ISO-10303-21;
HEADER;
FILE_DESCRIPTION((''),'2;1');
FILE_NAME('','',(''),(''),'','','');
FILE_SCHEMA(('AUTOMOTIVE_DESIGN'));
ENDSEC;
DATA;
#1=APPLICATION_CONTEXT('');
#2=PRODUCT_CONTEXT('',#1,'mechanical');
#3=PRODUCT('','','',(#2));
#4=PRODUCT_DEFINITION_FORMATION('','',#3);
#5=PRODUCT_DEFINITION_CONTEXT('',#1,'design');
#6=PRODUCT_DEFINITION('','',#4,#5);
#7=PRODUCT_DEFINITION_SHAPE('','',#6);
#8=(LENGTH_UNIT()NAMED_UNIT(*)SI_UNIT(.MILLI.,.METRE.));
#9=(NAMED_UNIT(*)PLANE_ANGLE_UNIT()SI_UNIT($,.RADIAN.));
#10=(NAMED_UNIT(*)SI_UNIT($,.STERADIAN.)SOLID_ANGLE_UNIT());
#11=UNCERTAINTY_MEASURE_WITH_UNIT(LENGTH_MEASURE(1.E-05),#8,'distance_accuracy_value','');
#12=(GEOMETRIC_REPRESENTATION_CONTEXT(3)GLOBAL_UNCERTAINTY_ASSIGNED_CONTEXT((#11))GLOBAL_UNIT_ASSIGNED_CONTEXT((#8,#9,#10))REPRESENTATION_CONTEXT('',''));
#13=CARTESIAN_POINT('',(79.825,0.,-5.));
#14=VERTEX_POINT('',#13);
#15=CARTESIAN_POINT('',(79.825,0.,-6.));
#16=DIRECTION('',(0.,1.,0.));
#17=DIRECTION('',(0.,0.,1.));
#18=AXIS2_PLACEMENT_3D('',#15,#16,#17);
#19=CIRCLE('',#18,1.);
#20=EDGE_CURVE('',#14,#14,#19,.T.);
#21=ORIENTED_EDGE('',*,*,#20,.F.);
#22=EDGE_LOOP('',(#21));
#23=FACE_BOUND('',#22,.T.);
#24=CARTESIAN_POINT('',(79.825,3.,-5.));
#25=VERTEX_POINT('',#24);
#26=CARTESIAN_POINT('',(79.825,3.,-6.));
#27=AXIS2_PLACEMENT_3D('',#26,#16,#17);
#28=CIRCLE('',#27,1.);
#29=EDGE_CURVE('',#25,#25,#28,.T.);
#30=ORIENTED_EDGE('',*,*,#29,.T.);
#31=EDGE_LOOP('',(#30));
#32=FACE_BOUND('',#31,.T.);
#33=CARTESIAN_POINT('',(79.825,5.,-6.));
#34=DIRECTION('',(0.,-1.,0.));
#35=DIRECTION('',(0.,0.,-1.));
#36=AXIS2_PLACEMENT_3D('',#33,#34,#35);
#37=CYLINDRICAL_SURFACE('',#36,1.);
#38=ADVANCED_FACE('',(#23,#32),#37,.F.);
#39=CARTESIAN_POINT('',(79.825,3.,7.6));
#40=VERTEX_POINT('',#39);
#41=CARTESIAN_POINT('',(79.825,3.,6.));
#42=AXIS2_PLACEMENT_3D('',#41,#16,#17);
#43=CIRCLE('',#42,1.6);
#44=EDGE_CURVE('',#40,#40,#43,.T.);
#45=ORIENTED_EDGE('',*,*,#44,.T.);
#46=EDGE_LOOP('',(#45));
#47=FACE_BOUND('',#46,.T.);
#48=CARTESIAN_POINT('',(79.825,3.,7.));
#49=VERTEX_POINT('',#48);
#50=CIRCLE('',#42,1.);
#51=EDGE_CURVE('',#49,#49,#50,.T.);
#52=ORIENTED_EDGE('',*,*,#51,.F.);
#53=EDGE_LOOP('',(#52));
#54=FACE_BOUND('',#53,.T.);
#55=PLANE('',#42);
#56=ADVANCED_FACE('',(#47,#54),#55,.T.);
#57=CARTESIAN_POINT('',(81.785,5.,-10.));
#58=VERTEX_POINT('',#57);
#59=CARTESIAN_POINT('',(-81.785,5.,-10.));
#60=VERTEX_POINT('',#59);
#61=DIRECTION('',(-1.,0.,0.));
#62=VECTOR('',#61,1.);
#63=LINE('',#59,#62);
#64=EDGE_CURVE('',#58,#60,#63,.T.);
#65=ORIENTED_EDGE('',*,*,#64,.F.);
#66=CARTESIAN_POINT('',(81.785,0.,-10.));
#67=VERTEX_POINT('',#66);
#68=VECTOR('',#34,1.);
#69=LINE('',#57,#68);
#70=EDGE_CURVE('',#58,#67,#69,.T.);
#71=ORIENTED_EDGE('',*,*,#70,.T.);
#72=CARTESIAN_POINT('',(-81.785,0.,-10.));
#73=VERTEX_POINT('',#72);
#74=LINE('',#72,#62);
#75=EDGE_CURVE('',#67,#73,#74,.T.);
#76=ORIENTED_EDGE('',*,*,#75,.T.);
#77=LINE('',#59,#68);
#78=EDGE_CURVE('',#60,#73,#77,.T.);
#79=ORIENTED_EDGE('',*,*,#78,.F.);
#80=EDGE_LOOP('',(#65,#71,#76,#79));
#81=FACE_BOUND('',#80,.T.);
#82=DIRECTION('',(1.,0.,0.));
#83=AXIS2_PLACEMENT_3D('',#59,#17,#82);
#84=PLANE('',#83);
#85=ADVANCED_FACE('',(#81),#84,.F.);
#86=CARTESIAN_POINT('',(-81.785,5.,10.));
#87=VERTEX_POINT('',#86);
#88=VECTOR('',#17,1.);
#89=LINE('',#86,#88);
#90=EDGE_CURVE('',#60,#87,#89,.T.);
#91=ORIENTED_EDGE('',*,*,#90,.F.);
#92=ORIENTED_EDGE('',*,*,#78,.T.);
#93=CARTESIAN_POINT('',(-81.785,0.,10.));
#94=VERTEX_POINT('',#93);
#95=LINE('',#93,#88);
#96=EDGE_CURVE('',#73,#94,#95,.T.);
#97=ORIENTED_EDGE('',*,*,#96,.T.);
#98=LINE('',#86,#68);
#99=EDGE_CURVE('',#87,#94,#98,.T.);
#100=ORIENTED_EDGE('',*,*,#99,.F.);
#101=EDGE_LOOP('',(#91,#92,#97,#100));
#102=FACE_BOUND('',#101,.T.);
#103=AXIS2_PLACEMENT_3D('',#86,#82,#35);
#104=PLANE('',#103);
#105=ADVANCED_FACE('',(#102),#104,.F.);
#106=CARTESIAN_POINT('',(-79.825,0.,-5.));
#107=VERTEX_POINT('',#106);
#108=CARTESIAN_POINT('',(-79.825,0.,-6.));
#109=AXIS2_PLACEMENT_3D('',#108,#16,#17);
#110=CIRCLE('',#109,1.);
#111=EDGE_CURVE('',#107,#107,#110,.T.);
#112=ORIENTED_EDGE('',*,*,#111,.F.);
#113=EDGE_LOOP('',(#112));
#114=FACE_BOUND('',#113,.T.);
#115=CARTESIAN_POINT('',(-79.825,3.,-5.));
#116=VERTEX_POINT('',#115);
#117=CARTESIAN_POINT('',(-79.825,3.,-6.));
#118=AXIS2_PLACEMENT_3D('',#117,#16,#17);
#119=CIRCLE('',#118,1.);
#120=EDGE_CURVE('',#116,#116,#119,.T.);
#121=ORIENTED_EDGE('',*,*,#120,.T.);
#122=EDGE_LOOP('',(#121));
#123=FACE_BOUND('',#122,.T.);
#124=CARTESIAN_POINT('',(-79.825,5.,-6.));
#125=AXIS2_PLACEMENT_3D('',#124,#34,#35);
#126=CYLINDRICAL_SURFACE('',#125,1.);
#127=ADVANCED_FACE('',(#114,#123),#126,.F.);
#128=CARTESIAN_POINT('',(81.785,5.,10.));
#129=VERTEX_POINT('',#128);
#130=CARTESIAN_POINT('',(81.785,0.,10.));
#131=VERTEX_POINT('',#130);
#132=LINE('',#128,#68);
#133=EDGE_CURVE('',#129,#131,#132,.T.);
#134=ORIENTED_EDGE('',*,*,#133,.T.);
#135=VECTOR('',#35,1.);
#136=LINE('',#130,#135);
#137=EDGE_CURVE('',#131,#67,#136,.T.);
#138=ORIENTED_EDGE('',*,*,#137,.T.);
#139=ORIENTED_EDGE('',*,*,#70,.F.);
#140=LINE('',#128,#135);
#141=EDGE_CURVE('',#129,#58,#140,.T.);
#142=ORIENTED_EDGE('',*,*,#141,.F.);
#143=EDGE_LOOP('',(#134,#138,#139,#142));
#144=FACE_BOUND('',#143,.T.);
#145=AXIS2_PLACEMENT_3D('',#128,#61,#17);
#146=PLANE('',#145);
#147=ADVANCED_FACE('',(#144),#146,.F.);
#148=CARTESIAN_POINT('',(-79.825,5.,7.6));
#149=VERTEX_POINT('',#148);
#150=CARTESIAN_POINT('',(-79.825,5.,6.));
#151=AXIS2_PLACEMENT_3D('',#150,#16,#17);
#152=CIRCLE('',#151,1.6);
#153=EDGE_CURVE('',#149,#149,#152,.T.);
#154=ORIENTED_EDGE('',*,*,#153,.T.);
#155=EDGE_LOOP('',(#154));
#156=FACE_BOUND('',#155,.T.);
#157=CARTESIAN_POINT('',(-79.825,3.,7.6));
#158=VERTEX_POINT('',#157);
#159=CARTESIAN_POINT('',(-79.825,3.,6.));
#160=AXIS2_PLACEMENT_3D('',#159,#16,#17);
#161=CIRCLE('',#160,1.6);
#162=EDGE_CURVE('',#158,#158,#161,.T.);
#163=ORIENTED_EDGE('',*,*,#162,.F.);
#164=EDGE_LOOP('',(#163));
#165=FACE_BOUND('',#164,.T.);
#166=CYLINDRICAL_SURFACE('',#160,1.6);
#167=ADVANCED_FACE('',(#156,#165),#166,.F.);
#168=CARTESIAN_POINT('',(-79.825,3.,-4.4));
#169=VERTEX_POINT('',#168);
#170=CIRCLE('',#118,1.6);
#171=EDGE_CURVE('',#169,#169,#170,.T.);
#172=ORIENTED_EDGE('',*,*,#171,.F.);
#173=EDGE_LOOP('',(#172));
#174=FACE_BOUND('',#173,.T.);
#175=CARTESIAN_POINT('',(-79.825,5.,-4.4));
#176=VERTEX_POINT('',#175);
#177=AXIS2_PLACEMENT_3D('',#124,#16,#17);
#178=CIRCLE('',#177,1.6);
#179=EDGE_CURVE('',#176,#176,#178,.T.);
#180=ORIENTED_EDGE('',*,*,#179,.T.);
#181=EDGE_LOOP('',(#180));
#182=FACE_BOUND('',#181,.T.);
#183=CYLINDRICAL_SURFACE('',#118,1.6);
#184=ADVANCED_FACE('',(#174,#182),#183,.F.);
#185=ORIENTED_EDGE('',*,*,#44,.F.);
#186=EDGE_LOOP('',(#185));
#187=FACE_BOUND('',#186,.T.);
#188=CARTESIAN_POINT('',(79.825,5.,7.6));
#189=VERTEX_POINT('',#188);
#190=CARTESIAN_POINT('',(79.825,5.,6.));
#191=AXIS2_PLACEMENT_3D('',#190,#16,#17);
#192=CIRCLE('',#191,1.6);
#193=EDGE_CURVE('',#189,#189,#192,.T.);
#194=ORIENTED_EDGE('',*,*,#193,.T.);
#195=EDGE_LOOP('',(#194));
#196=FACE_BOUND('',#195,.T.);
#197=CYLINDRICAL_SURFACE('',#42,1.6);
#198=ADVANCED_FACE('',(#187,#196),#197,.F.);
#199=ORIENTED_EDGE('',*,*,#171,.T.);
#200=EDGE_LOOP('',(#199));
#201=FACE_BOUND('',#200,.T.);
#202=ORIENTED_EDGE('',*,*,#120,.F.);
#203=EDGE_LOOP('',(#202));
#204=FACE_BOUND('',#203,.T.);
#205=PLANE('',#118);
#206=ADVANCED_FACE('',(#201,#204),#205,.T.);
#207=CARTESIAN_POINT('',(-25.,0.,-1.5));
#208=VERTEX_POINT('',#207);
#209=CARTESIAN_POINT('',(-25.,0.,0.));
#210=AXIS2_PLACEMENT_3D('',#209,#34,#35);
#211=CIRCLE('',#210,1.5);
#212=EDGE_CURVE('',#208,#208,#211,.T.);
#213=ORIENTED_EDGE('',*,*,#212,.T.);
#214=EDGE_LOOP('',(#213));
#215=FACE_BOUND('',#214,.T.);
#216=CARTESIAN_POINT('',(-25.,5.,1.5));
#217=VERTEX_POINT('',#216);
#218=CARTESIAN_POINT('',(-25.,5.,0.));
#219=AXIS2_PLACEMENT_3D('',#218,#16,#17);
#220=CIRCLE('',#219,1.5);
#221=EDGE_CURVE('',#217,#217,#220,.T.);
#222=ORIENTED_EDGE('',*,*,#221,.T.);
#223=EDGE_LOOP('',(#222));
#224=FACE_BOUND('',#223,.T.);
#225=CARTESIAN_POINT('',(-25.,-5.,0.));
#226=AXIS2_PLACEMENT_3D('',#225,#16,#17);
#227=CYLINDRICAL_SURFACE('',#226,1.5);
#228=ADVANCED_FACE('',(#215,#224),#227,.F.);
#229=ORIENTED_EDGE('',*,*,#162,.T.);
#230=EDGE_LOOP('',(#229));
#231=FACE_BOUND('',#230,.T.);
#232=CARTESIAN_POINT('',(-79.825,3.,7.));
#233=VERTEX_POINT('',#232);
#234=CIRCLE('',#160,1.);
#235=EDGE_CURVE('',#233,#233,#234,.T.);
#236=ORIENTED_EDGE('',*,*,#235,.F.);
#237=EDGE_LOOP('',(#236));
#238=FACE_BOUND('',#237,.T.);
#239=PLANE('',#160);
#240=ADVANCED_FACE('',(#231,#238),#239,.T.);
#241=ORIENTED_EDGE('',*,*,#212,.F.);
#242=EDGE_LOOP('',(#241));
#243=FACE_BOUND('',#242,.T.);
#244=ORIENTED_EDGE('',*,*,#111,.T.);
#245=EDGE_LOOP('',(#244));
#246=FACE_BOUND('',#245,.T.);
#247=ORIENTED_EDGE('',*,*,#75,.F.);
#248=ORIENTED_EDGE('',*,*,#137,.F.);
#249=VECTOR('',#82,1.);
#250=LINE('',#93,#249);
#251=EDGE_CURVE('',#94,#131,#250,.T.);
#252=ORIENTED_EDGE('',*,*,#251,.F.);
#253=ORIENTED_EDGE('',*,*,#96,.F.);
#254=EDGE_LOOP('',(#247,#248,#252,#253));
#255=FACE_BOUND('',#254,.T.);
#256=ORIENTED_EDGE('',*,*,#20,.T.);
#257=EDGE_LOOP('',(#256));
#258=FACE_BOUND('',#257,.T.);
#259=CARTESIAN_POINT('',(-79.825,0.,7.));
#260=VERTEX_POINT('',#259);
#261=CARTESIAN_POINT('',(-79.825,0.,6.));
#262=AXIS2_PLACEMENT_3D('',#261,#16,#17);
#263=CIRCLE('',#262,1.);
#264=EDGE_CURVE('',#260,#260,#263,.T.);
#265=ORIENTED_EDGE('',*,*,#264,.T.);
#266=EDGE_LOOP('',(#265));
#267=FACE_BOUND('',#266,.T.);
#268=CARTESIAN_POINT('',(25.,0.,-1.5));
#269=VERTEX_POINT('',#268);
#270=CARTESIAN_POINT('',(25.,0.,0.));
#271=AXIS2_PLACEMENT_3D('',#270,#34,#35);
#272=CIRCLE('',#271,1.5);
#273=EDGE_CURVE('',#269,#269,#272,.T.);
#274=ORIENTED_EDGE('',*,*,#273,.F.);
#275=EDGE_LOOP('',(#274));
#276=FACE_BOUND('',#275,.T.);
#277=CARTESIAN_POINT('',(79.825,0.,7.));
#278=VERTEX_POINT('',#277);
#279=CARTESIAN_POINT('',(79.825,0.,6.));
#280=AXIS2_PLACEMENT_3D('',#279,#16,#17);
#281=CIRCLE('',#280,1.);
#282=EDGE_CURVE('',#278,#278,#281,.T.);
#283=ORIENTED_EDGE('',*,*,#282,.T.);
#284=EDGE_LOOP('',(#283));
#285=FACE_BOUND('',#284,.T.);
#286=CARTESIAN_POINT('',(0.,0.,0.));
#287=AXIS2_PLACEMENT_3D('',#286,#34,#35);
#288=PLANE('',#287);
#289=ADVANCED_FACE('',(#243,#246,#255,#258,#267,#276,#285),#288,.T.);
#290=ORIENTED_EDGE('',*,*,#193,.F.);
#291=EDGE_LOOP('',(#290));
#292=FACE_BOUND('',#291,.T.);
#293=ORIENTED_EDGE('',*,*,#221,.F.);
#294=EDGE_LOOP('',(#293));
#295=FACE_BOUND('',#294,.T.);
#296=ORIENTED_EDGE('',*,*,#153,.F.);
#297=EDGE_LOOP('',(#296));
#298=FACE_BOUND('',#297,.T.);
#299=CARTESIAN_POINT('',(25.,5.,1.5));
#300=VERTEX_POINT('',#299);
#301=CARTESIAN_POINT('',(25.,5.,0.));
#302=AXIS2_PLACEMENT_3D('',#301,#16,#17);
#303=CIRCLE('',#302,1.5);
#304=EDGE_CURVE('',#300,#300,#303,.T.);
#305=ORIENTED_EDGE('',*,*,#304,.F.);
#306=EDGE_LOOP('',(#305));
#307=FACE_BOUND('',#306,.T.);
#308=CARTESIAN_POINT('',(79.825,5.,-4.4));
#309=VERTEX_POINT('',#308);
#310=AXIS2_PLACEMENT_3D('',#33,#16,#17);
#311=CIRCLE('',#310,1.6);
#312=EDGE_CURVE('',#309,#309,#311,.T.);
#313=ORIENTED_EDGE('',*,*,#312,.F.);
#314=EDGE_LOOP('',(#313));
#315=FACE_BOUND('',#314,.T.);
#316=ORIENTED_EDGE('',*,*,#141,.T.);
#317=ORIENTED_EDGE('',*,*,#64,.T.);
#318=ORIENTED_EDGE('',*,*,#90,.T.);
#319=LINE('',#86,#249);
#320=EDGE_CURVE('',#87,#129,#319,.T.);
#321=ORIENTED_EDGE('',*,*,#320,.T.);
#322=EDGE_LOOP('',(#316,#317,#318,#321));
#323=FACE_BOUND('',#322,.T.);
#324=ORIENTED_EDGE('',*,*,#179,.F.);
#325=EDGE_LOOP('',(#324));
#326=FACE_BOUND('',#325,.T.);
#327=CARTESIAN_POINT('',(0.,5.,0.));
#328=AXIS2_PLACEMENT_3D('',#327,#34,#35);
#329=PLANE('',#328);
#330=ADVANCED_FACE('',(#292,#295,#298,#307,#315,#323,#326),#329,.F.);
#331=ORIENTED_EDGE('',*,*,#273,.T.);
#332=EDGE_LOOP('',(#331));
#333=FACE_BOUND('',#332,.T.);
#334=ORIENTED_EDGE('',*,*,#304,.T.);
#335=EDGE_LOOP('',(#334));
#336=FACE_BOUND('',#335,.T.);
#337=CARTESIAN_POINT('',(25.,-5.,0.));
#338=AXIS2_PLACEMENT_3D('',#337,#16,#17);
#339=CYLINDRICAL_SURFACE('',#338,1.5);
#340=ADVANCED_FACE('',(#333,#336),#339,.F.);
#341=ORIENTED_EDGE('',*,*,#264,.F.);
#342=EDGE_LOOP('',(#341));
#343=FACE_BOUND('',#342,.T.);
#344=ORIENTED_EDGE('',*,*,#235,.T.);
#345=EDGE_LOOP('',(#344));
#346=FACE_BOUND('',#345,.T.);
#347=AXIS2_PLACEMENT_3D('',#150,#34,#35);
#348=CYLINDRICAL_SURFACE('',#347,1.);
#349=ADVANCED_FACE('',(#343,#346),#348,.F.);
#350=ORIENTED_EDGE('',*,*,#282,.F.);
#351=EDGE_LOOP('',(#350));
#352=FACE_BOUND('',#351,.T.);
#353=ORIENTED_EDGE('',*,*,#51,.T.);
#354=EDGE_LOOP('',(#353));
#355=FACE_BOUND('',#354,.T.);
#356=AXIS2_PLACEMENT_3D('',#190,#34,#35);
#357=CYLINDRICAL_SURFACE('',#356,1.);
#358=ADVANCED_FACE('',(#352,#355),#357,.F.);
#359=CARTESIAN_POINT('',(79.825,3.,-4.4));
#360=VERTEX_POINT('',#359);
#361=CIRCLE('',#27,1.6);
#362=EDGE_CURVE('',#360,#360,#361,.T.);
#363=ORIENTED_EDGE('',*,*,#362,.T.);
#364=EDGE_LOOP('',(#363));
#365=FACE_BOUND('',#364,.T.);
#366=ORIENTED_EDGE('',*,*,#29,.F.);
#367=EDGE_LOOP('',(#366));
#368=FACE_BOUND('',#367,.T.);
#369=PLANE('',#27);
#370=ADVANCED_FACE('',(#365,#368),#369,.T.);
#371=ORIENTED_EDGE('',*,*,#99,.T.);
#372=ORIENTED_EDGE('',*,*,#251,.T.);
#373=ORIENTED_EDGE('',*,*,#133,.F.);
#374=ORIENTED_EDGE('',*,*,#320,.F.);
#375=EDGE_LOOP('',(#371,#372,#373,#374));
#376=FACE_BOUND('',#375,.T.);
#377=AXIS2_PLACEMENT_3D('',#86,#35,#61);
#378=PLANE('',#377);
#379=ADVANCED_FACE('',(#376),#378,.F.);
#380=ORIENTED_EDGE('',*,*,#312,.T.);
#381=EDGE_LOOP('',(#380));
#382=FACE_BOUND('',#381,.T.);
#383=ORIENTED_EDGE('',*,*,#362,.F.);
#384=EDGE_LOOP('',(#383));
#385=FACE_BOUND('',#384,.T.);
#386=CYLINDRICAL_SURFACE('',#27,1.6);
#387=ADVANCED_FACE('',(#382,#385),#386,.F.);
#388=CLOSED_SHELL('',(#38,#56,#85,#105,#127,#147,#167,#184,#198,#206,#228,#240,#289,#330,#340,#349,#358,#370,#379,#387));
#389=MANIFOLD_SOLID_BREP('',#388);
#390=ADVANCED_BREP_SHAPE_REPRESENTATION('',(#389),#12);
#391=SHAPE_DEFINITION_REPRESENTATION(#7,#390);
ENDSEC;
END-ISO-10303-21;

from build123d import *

# Parameters (mm, degrees)
SKETCH1_W           = 163.57
SKETCH1_H           = 20
SKETCH1_R           = 1
BOSS_EXTRUDE1_DEPTH = 5
SKETCH2_R           = 1.6
CUT_EXTRUDE1_DEPTH  = 2
SKETCH3_R           = 1.5
CUT_EXTRUDE2_DEPTH  = 10


with BuildPart() as part:
    # Sketch1 → Boss-Extrude1 (new body)
    with BuildSketch(Plane(origin=(0, 0, 0), x_dir=(1, 0, 0), z_dir=(0, 1, 0))):
        Rectangle(SKETCH1_W, SKETCH1_H)
        with Locations((-79.825, 6)):
            Circle(SKETCH1_R, mode=Mode.SUBTRACT)
        with Locations((-79.825, -6)):
            Circle(SKETCH1_R, mode=Mode.SUBTRACT)
        with Locations((79.825, 6)):
            Circle(SKETCH1_R, mode=Mode.SUBTRACT)
        with Locations((79.825, -6)):
            Circle(SKETCH1_R, mode=Mode.SUBTRACT)
    extrude(amount=BOSS_EXTRUDE1_DEPTH)

    # Sketch2 → Cut-Extrude1 (cut)
    with BuildSketch(Plane(origin=(0, 5, 0), x_dir=(1, 0, 0), z_dir=(0, 1, 0))):
        with Locations((-79.825, 6)):
            Circle(SKETCH2_R)
        with Locations((-79.825, -6)):
            Circle(SKETCH2_R)
        with Locations((79.825, 6)):
            Circle(SKETCH2_R)
        with Locations((79.825, -6)):
            Circle(SKETCH2_R)
    extrude(amount=-CUT_EXTRUDE1_DEPTH, mode=Mode.SUBTRACT)

    # Sketch3 → Cut-Extrude2 (cut)
    with BuildSketch(Plane(origin=(0, 5, 0), x_dir=(1, 0, 0), z_dir=(0, 1, 0))):
        with Locations((-25, 0)):
            Circle(SKETCH3_R)
        with Locations((25, 0)):
            Circle(SKETCH3_R)
    extrude(amount=-CUT_EXTRUDE2_DEPTH, mode=Mode.SUBTRACT)


solid = part.part
